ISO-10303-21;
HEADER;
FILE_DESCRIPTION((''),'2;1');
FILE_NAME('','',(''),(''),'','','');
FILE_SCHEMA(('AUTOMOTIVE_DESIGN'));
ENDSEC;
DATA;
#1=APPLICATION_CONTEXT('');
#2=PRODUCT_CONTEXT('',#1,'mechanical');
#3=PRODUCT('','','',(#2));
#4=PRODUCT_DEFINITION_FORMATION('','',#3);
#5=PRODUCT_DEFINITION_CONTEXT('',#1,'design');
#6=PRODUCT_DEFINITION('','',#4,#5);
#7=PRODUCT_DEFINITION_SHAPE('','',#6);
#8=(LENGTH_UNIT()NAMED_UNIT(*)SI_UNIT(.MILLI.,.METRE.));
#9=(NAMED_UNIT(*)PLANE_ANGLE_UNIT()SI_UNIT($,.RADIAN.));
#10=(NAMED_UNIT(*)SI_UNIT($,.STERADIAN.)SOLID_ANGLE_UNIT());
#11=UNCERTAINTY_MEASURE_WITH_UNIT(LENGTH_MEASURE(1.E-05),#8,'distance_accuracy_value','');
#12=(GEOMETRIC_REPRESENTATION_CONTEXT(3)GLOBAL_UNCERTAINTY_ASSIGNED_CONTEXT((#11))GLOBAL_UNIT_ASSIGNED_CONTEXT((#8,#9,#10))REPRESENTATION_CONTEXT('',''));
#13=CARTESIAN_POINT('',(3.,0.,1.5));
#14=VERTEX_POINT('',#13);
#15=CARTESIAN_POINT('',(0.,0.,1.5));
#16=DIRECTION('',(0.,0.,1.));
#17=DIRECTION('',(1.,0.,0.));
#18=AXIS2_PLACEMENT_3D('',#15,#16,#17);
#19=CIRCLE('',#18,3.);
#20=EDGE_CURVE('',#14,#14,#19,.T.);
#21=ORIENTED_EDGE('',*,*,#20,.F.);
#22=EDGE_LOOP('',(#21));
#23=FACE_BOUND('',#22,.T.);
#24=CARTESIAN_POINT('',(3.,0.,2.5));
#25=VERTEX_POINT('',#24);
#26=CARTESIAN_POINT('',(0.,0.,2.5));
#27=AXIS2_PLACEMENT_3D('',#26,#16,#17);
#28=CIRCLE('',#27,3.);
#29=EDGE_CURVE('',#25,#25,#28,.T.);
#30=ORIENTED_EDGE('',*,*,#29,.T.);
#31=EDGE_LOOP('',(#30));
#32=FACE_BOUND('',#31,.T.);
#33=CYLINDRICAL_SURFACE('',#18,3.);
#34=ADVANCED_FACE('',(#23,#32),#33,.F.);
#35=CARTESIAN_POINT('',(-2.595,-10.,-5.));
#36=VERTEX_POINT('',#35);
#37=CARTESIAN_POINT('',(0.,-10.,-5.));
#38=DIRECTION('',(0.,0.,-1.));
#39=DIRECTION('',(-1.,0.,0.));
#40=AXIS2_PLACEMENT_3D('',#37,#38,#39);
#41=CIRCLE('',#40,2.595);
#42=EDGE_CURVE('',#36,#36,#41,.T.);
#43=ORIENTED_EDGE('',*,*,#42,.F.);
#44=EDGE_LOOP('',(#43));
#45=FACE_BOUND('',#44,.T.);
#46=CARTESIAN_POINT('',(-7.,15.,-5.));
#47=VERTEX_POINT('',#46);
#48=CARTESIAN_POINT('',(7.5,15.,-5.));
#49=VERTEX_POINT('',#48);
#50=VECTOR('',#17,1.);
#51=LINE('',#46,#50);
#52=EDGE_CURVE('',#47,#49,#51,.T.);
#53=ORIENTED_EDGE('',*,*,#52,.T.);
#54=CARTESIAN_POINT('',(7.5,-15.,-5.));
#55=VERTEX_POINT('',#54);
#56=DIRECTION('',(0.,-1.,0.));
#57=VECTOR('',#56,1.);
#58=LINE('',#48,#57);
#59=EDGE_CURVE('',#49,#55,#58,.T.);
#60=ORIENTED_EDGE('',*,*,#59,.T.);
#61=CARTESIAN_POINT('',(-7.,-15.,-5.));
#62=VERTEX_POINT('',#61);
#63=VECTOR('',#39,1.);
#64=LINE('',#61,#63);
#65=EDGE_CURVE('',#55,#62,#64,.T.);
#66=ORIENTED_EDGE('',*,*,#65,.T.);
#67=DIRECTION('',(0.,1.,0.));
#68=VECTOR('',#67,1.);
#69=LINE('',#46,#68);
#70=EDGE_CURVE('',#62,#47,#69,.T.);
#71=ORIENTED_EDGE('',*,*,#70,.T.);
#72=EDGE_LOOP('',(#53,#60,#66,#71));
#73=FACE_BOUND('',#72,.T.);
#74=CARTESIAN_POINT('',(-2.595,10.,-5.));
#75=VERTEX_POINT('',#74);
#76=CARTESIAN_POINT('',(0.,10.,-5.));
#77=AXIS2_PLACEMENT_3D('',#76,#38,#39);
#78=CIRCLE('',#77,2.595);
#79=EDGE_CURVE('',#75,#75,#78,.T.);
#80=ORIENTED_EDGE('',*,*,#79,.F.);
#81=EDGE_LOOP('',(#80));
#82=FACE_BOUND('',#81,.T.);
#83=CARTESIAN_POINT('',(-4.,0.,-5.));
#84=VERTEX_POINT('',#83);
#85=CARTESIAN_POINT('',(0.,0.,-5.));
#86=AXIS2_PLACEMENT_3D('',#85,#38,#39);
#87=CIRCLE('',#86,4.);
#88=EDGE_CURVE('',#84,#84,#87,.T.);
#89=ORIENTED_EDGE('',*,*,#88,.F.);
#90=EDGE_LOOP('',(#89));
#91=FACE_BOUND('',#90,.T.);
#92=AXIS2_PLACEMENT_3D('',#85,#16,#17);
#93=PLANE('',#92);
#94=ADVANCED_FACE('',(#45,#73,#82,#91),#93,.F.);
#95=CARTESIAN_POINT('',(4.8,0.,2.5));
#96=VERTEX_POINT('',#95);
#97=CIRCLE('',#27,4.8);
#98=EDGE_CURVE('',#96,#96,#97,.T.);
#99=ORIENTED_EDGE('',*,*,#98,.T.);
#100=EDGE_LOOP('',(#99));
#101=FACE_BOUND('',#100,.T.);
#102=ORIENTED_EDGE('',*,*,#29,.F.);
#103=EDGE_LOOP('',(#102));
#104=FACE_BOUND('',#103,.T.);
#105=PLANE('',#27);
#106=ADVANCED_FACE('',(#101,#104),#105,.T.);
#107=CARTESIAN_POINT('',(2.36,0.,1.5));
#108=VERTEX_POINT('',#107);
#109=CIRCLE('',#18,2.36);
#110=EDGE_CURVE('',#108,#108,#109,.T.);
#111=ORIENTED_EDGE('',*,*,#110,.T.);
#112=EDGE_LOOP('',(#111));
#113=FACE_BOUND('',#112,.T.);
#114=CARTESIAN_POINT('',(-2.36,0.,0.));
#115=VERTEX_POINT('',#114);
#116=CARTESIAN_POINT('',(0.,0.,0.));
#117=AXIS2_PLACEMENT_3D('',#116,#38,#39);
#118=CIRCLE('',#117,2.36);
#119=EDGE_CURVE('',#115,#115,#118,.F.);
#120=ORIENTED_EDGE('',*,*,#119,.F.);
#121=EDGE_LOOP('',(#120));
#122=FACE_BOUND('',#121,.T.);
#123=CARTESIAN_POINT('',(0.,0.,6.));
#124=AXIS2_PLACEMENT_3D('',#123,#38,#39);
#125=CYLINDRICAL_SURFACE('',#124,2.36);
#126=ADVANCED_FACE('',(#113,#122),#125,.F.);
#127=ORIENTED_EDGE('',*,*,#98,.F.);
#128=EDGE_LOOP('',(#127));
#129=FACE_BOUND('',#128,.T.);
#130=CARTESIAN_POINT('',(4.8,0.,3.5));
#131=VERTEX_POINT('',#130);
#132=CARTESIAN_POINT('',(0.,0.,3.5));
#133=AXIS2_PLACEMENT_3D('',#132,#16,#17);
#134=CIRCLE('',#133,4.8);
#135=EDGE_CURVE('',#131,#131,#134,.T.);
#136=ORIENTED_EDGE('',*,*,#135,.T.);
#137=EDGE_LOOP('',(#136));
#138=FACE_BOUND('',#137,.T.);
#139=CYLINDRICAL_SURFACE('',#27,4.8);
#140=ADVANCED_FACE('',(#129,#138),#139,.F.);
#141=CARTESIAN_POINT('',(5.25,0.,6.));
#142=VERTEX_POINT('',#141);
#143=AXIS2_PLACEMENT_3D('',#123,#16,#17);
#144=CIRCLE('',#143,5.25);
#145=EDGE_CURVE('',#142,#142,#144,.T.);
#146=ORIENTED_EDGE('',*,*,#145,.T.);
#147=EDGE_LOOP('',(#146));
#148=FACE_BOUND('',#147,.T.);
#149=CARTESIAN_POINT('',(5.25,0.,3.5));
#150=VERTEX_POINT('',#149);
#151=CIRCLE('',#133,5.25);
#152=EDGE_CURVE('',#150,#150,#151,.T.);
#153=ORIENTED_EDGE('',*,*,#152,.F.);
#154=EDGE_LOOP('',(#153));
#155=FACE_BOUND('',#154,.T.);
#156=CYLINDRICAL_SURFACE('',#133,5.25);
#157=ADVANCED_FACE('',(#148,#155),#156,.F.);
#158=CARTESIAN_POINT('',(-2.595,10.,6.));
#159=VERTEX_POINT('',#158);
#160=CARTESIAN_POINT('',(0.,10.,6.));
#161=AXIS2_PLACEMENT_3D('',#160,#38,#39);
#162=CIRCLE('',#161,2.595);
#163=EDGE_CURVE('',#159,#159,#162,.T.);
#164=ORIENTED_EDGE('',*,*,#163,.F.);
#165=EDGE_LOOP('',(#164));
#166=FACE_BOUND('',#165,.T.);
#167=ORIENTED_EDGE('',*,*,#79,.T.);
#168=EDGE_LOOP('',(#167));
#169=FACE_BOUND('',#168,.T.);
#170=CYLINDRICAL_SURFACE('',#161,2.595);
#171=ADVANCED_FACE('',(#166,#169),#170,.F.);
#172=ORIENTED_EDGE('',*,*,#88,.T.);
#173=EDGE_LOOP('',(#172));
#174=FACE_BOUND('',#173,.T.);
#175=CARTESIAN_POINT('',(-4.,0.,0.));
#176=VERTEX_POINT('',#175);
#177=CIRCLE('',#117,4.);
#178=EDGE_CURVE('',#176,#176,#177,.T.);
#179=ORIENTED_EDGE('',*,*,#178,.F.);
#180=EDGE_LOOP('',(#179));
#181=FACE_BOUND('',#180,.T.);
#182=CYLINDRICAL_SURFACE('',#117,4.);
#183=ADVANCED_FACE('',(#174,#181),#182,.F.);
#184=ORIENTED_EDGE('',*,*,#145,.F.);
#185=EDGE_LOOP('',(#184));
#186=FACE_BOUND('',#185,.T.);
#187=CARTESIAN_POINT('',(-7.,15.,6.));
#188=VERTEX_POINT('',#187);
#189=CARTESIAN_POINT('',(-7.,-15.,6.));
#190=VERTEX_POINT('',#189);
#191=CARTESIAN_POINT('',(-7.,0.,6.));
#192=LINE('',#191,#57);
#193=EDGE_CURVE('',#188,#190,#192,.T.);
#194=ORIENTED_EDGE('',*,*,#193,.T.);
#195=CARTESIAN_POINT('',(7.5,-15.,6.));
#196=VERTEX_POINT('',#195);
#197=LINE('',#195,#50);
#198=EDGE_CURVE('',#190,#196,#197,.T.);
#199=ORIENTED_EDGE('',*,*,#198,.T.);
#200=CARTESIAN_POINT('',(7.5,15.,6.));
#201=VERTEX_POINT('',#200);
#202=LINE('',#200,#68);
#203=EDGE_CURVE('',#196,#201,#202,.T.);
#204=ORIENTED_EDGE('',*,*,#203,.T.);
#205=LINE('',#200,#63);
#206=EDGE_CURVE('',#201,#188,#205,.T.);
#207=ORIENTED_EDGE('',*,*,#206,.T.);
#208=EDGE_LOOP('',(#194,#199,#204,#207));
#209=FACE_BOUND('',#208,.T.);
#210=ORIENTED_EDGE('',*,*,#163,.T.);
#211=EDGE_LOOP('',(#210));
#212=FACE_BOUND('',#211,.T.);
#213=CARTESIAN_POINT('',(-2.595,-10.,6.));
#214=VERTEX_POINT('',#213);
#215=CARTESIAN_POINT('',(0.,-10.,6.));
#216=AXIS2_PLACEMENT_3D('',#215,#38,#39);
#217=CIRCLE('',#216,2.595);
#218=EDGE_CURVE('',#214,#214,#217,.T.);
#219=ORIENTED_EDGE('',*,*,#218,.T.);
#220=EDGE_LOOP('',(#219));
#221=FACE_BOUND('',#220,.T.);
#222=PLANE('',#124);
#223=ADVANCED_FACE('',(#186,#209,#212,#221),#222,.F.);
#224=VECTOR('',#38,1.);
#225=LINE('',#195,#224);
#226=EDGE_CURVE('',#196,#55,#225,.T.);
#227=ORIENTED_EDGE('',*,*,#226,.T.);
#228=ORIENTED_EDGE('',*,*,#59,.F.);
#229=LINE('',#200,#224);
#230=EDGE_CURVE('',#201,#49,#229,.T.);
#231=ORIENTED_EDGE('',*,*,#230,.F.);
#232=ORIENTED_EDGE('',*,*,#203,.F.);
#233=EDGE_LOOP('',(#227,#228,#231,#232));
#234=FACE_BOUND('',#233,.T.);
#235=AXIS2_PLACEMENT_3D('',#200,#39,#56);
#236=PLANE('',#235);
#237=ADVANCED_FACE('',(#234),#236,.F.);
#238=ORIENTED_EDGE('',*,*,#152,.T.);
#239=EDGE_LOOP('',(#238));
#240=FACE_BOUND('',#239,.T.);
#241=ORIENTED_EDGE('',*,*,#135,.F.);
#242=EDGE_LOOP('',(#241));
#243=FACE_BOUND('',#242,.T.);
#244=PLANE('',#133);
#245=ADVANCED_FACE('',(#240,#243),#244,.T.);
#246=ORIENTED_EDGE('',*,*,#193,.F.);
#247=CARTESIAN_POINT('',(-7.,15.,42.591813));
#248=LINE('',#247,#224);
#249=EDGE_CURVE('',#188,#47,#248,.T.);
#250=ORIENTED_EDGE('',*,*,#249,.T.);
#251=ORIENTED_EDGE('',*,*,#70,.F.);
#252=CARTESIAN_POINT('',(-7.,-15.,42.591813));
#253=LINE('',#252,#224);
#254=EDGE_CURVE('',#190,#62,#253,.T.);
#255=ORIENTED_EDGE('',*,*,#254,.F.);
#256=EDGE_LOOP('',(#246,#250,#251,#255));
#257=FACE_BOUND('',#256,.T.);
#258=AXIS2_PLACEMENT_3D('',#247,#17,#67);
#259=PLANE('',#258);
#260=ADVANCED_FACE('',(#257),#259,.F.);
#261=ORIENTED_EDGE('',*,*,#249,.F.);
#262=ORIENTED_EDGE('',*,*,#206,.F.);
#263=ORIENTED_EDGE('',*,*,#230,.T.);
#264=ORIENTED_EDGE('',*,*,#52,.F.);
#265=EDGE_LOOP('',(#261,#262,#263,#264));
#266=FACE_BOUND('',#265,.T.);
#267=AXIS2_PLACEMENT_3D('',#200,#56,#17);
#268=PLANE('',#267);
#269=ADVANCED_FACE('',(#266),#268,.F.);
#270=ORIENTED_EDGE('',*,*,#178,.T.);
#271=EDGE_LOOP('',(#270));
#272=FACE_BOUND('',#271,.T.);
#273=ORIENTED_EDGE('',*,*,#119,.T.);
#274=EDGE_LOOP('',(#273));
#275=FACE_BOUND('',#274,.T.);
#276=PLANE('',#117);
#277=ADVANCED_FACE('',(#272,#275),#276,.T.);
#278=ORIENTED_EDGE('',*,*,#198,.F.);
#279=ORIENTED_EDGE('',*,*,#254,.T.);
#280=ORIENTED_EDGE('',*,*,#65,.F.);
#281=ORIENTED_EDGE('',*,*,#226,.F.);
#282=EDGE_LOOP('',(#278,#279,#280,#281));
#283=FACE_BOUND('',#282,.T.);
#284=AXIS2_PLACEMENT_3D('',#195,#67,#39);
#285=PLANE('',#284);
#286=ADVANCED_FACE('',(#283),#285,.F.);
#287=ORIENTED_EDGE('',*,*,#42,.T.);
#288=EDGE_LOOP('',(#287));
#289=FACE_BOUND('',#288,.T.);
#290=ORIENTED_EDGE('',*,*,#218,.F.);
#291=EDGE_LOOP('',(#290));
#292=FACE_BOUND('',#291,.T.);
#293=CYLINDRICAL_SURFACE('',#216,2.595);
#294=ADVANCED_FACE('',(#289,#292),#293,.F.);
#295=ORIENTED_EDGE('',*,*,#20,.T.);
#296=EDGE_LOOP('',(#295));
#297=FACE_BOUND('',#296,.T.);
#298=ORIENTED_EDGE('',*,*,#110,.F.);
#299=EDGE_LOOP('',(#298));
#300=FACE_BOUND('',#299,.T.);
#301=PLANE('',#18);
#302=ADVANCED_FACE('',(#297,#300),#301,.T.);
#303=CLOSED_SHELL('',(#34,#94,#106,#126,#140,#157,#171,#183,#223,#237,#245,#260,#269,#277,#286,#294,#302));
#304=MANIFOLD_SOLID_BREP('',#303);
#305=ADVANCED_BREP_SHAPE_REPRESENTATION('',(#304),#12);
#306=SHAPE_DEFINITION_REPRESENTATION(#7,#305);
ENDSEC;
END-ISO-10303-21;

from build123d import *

# Parameters (mm, degrees)
SKETCH1_W               = 15
SKETCH1_H               = 30
BOSS_EXTRUDE1_DEPTH     = 6
SKETCH2_R               = 5.25
CUT_EXTRUDE1_DEPTH      = 2.5
SKETCH4_R               = 4.8
CUT_EXTRUDE3_DEPTH      = 1
SKETCH5_R               = 2.36
CUT_EXTRUDE4_DEPTH      = 4.5
CUT_EXTRUDE4_DEPTH_BACK = 5
CUT_EXTRUDE6_DEPTH      = 7
CUT_EXTRUDE6_DEPTH_BACK = 1
SKETCH11_W              = 14.5
SKETCH11_H              = 30
BOSS_EXTRUDE5_DEPTH     = 5
SKETCH12_R              = 4
CUT_EXTRUDE8_DEPTH      = 5
SKETCH13_R              = 2.595
CUT_EXTRUDE9_DEPTH      = 12
SKETCH14_R              = 3
CUT_EXTRUDE10_DEPTH     = 1


with BuildPart() as part:
    # Sketch1 → Boss-Extrude1 (new body)
    with BuildSketch(Plane.XY):
        Rectangle(SKETCH1_W, SKETCH1_H)
    extrude(amount=BOSS_EXTRUDE1_DEPTH)

    # Sketch2 → Cut-Extrude1 (cut)
    with BuildSketch(Plane.XY.offset(6)):
        Circle(SKETCH2_R)
    extrude(amount=-CUT_EXTRUDE1_DEPTH, mode=Mode.SUBTRACT)

    # Sketch4 → Cut-Extrude3 (cut)
    with BuildSketch(Plane.XY.offset(3.5)):
        Circle(SKETCH4_R)
    extrude(amount=-CUT_EXTRUDE3_DEPTH, mode=Mode.SUBTRACT)

    # Sketch5 → Cut-Extrude4 (cut, two sides)
    with BuildSketch(Plane.XY.offset(2.5)) as cut_extrude4_sk:
        Circle(SKETCH5_R)
    extrude(amount=CUT_EXTRUDE4_DEPTH, mode=Mode.SUBTRACT)
    extrude(cut_extrude4_sk.sketch, amount=-CUT_EXTRUDE4_DEPTH_BACK, mode=Mode.SUBTRACT)

    # Sketch6 → Cut-Extrude6 (cut, two sides)
    with BuildSketch(Plane.XY) as cut_extrude6_sk:
        Polygon((-7, 91.640828326), (-7, 15), (-7, -15), (-7, -91.640828326), (-160.281656652, -91.640828326), (-160.281656652, 91.640828326), align=None)
    extrude(amount=CUT_EXTRUDE6_DEPTH, mode=Mode.SUBTRACT)
    extrude(cut_extrude6_sk.sketch, amount=-CUT_EXTRUDE6_DEPTH_BACK, mode=Mode.SUBTRACT)

    # Sketch11 → Boss-Extrude5 (add)
    with BuildSketch(Plane(origin=(0, 0, 0), x_dir=(-1, 0, 0), z_dir=(0, 0, -1))):
        with Locations((-0.25, 0)):
            Rectangle(SKETCH11_W, SKETCH11_H)
    extrude(amount=BOSS_EXTRUDE5_DEPTH)

    # Sketch12 → Cut-Extrude8 (cut)
    with BuildSketch(Plane(origin=(0, 0, -5), x_dir=(-1, 0, 0), z_dir=(0, 0, -1))):
        Circle(SKETCH12_R)
    extrude(amount=-CUT_EXTRUDE8_DEPTH, mode=Mode.SUBTRACT)

    # Sketch13 → Cut-Extrude9 (cut, through all)
    with BuildSketch(Plane(origin=(0, 0, -5), x_dir=(-1, 0, 0), z_dir=(0, 0, -1))):
        with Locations((0, -10)):
            Circle(SKETCH13_R)
        with Locations((0, 10)):
            Circle(SKETCH13_R)
    extrude(amount=-CUT_EXTRUDE9_DEPTH, mode=Mode.SUBTRACT)

    # Sketch14 → Cut-Extrude10 (cut)
    with BuildSketch(Plane.XY.offset(2.5)):
        Circle(SKETCH14_R)
    extrude(amount=-CUT_EXTRUDE10_DEPTH, mode=Mode.SUBTRACT)


solid = part.part
